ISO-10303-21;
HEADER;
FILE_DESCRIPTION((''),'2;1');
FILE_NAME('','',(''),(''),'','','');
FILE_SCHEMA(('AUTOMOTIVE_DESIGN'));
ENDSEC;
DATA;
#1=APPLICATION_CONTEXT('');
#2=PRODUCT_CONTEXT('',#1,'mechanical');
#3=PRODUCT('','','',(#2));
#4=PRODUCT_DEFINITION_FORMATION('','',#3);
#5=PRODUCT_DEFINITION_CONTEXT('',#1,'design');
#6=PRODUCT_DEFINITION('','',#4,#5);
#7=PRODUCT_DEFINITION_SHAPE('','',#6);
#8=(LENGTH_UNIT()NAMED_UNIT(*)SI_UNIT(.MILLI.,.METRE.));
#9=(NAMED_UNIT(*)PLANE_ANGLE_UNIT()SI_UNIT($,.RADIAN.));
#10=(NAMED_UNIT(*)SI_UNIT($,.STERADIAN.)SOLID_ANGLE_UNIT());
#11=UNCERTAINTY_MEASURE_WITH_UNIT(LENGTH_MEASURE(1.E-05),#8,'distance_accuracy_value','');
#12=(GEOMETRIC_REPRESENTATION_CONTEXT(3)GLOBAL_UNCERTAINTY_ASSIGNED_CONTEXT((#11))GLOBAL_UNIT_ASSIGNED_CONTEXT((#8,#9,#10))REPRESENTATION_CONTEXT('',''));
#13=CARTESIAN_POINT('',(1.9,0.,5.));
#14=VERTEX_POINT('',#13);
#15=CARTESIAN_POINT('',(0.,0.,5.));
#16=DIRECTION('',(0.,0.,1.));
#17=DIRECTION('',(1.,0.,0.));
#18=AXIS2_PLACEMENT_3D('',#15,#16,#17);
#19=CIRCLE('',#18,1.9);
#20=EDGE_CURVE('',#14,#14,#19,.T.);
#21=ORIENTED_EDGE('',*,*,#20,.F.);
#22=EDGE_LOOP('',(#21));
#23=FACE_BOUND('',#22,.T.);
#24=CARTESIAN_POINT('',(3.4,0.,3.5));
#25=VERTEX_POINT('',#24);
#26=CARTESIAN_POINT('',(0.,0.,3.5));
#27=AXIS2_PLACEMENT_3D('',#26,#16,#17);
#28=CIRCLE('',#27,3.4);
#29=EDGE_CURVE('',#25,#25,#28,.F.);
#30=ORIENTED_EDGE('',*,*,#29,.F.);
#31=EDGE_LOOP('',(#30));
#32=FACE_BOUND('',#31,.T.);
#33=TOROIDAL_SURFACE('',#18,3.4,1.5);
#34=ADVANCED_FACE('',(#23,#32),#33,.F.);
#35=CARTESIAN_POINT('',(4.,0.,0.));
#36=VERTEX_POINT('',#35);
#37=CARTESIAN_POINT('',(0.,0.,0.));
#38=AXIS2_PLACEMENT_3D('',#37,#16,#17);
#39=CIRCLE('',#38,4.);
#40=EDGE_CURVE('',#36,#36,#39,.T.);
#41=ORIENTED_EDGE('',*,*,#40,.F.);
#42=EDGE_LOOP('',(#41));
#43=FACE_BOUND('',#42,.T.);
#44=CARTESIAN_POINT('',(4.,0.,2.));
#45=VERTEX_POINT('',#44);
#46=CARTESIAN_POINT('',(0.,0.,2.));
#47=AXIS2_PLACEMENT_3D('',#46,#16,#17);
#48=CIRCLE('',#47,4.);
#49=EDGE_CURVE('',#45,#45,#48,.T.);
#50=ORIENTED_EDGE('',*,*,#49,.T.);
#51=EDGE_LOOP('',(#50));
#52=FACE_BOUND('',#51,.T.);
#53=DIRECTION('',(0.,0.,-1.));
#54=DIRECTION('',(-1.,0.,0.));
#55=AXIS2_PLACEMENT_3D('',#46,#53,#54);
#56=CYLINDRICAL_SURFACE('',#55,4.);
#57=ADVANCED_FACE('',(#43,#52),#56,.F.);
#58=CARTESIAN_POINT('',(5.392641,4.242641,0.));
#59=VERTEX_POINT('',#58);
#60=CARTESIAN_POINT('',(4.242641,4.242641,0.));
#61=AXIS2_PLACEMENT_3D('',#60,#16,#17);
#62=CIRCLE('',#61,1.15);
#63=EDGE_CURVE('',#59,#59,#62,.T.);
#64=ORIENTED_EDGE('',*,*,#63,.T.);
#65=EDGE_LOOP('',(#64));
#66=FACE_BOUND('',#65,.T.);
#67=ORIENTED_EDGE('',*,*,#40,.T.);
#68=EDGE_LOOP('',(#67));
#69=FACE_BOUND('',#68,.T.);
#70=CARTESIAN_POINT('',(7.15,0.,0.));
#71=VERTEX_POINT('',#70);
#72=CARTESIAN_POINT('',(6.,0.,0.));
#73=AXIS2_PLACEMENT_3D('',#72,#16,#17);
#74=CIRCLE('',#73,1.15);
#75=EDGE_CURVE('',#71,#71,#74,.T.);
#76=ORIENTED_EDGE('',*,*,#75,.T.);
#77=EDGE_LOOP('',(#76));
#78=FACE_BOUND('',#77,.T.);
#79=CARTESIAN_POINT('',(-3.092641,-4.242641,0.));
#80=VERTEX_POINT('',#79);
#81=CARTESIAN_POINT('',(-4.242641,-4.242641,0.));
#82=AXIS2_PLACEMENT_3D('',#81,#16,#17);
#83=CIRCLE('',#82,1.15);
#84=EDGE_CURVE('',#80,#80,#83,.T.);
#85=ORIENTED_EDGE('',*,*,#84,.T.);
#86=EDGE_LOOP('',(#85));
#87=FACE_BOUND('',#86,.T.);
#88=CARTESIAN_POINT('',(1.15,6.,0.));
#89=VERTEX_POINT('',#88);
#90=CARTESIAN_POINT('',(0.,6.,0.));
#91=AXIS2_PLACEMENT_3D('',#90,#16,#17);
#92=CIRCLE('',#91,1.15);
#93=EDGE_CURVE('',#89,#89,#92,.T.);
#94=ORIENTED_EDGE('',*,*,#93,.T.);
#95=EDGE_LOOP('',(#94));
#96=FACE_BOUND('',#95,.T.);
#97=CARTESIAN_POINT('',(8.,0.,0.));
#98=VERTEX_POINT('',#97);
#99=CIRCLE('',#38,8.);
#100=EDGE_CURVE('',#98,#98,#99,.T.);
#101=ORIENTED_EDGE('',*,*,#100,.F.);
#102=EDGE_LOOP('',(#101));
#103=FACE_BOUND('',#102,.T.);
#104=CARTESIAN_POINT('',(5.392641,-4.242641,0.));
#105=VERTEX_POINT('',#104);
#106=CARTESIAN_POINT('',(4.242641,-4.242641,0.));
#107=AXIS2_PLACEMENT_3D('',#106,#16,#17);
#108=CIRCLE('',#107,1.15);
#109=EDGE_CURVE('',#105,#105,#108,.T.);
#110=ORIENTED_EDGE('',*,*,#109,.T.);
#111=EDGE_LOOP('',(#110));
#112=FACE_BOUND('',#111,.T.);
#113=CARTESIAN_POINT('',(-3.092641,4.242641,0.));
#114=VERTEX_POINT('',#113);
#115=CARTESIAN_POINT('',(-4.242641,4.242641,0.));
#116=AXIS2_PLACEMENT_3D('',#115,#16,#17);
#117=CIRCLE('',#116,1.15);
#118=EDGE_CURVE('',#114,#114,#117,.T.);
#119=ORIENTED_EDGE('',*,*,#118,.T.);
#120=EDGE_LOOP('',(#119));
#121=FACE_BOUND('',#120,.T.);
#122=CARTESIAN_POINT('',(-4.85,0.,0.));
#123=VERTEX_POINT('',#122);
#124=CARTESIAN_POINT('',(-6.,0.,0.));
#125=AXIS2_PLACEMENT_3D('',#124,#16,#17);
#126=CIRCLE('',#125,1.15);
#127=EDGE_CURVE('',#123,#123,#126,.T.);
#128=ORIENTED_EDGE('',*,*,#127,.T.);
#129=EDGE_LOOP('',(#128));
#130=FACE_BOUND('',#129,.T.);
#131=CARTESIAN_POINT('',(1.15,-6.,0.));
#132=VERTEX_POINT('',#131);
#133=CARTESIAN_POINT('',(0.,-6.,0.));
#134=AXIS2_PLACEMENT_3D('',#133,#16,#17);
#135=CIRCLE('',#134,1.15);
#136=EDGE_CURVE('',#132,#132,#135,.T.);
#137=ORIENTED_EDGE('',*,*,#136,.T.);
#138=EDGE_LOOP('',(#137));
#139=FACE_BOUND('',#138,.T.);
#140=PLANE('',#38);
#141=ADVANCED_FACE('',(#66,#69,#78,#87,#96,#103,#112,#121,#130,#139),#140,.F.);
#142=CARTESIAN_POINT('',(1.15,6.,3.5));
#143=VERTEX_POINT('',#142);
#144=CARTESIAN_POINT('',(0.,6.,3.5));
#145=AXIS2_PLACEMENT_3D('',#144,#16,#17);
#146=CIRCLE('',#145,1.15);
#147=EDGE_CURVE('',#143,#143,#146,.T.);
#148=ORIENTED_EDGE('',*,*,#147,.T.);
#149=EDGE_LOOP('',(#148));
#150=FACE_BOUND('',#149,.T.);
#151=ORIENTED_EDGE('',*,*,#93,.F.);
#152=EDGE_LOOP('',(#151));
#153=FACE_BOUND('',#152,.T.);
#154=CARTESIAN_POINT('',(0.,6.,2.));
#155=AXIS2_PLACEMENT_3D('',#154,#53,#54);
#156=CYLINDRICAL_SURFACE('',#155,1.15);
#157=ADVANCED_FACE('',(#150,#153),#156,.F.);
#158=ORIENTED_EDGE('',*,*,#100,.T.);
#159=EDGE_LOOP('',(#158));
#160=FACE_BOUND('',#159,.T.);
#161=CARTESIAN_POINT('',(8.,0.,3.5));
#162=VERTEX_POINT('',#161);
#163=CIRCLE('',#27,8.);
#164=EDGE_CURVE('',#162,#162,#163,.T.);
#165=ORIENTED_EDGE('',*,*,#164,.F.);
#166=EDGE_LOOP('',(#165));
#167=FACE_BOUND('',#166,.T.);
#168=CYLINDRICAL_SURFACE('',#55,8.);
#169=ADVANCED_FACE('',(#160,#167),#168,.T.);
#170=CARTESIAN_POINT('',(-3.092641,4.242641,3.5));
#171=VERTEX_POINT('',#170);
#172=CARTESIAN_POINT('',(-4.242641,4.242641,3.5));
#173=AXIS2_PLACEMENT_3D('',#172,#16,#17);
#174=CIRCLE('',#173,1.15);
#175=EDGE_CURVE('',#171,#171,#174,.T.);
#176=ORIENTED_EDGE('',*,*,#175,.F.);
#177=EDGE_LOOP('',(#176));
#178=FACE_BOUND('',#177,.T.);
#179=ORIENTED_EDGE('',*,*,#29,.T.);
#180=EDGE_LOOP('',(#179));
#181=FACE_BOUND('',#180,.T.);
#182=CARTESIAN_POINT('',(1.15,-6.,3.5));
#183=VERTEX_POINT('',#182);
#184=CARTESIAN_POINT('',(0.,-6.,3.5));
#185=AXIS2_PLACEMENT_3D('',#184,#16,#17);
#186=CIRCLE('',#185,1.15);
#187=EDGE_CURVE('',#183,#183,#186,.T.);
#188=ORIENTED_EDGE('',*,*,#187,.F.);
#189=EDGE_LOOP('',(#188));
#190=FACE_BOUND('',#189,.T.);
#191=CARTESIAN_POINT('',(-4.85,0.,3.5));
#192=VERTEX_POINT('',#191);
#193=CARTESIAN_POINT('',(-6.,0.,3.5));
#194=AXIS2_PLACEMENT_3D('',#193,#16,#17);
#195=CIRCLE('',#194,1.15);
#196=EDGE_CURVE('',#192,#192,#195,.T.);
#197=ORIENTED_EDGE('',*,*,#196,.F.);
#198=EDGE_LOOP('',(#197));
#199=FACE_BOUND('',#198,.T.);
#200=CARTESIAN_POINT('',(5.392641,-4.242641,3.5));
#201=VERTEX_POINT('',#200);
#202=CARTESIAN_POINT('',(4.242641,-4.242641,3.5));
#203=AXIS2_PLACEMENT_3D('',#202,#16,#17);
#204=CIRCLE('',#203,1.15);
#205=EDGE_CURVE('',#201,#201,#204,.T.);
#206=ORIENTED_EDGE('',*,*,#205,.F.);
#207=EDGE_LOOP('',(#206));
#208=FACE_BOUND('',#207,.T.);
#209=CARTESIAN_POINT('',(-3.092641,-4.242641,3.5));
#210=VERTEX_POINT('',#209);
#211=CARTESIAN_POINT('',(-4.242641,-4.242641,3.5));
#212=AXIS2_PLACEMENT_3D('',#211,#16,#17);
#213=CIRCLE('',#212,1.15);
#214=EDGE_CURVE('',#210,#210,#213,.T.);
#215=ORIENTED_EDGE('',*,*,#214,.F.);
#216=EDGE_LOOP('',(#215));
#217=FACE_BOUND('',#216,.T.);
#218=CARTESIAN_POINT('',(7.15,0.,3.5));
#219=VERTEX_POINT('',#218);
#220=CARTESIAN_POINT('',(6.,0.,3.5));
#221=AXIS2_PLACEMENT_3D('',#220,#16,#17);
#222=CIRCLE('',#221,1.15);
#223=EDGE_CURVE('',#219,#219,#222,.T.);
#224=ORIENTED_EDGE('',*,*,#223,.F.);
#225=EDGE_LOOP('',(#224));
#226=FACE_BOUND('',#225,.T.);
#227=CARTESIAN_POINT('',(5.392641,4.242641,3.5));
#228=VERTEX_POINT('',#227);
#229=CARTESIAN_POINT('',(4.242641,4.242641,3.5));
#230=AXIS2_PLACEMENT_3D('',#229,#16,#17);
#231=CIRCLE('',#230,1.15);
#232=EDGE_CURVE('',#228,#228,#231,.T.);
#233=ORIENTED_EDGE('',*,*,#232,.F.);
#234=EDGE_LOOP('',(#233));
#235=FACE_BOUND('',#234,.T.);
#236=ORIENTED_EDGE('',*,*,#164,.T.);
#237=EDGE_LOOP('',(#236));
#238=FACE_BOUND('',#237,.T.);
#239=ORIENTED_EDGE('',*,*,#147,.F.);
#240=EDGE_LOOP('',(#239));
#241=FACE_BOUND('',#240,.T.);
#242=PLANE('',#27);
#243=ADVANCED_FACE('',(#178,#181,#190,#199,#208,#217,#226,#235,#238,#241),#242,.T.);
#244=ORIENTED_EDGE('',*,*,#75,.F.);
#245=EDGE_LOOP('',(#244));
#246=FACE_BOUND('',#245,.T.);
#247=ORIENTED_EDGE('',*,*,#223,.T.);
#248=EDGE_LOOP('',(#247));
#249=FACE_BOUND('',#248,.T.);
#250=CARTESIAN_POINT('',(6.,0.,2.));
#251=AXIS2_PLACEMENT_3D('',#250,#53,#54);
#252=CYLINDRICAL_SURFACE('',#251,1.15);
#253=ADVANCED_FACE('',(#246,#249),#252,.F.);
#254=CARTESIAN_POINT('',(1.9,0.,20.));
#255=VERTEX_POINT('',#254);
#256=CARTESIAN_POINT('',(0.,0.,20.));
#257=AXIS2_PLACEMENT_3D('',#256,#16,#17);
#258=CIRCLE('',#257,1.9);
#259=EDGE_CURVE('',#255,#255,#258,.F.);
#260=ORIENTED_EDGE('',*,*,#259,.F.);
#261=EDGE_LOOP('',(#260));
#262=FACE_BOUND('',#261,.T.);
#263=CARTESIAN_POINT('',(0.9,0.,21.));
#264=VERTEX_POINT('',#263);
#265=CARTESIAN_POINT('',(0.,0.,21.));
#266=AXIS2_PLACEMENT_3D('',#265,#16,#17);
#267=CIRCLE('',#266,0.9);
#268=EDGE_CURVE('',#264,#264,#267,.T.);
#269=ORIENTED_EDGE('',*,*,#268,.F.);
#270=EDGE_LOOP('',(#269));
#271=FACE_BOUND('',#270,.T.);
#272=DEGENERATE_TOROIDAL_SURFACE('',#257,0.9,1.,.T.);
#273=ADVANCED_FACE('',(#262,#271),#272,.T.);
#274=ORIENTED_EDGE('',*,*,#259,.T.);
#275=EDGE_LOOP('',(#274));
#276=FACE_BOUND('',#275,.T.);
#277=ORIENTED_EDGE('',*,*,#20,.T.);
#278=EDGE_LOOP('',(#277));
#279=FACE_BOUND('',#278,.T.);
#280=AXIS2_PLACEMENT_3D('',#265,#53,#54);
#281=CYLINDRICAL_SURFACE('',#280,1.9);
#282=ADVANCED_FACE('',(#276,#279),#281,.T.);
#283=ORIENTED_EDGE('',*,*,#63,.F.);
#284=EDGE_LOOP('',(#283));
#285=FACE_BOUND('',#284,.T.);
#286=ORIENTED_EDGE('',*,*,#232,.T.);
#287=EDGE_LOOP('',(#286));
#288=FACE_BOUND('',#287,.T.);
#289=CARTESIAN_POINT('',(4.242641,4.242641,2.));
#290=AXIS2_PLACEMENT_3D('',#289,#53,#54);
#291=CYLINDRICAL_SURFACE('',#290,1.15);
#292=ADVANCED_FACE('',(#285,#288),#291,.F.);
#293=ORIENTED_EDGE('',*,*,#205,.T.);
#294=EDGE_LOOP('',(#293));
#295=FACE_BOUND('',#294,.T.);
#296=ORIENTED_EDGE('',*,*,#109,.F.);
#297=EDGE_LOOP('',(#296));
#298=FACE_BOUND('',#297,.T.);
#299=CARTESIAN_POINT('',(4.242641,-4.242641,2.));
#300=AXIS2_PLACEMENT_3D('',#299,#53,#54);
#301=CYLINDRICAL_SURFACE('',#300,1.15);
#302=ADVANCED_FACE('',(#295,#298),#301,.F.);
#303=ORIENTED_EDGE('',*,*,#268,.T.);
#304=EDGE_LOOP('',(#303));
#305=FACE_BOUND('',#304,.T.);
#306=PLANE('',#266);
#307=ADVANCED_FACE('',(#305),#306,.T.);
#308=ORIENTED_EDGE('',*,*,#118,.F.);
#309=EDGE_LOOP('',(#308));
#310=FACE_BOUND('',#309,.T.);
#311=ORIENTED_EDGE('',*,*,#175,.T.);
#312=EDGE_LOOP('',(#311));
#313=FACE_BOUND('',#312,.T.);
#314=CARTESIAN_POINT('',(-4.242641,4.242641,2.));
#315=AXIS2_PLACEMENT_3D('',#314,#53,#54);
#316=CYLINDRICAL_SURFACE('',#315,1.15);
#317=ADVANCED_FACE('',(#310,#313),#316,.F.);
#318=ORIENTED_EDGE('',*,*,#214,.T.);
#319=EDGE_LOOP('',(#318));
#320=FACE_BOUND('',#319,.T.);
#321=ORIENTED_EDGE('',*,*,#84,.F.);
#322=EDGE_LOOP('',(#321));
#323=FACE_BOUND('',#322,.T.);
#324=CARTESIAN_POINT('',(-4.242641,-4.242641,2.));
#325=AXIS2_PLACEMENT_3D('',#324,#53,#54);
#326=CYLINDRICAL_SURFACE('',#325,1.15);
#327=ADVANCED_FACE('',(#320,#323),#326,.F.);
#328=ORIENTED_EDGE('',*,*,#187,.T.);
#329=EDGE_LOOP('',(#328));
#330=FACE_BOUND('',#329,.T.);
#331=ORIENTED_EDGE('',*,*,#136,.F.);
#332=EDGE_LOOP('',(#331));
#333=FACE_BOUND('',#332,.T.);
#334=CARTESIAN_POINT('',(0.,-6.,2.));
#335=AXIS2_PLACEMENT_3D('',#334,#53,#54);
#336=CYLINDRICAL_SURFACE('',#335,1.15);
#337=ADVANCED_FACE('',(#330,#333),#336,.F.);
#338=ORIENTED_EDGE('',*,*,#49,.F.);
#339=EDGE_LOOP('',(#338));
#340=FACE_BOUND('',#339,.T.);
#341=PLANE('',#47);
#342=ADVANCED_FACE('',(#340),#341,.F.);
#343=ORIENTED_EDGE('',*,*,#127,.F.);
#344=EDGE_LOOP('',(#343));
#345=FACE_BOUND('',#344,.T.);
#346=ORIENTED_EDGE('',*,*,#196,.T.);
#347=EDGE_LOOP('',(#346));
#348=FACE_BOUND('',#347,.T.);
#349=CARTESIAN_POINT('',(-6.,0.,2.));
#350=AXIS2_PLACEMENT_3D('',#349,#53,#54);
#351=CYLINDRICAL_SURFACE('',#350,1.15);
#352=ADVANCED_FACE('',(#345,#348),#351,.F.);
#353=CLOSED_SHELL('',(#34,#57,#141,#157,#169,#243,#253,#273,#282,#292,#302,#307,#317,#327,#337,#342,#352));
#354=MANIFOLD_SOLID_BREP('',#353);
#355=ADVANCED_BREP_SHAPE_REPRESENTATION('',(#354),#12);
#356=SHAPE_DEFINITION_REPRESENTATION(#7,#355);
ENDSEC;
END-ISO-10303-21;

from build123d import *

# Parameters (mm, degrees)
SKETCH_1_R      = 8
SKETCH_1_R_2    = 1.15
SKETCH_1_R_3    = 4
EXTRUDE_1_DEPTH = 2
SKETCH_2_R      = 8
SKETCH_2_R_2    = 1.15
EXTRUDE_2_DEPTH = 1.5
SKETCH_3_R      = 1.9
EXTRUDE_3_DEPTH = 17.5
FILLET_1_R      = 1
FILLET_2_R      = 1.5


with BuildPart() as part:
    # ｽｹｯﾁ1 → ﾎﾞｽ - 押し出し1 (new body)
    with BuildSketch(Plane.XY):
        Circle(SKETCH_1_R)
        with Locations((0, 6)):
            Circle(SKETCH_1_R_2, mode=Mode.SUBTRACT)
        with Locations((4.242640687, 4.242640687)):
            Circle(SKETCH_1_R_2, mode=Mode.SUBTRACT)
        with Locations((6, 0)):
            Circle(SKETCH_1_R_2, mode=Mode.SUBTRACT)
        with Locations((4.242640687, -4.242640687)):
            Circle(SKETCH_1_R_2, mode=Mode.SUBTRACT)
        with Locations((0, -6)):
            Circle(SKETCH_1_R_2, mode=Mode.SUBTRACT)
        with Locations((-4.242640687, -4.242640687)):
            Circle(SKETCH_1_R_2, mode=Mode.SUBTRACT)
        with Locations((-6, 0)):
            Circle(SKETCH_1_R_2, mode=Mode.SUBTRACT)
        with Locations((-4.242640687, 4.242640687)):
            Circle(SKETCH_1_R_2, mode=Mode.SUBTRACT)
        Circle(SKETCH_1_R_3, mode=Mode.SUBTRACT)
    extrude(amount=EXTRUDE_1_DEPTH)

    # ｽｹｯﾁ2 → ﾎﾞｽ - 押し出し2 (add)
    with BuildSketch(Plane.XY.offset(2)):
        Circle(SKETCH_2_R)
        with Locations((0, 6)):
            Circle(SKETCH_2_R_2, mode=Mode.SUBTRACT)
        with Locations((4.242640687, 4.242640687)):
            Circle(SKETCH_2_R_2, mode=Mode.SUBTRACT)
        with Locations((6, 0)):
            Circle(SKETCH_2_R_2, mode=Mode.SUBTRACT)
        with Locations((4.242640687, -4.242640687)):
            Circle(SKETCH_2_R_2, mode=Mode.SUBTRACT)
        with Locations((0, -6)):
            Circle(SKETCH_2_R_2, mode=Mode.SUBTRACT)
        with Locations((-4.242640687, -4.242640687)):
            Circle(SKETCH_2_R_2, mode=Mode.SUBTRACT)
        with Locations((-6, 0)):
            Circle(SKETCH_2_R_2, mode=Mode.SUBTRACT)
        with Locations((-4.242640687, 4.242640687)):
            Circle(SKETCH_2_R_2, mode=Mode.SUBTRACT)
    extrude(amount=EXTRUDE_2_DEPTH)

    # ｽｹｯﾁ3 → ﾎﾞｽ - 押し出し3 (add)
    with BuildSketch(Plane.XY.offset(3.5)):
        Circle(SKETCH_3_R)
    extrude(amount=EXTRUDE_3_DEPTH)

    # ﾌｨﾚｯﾄ1
    fillet_1_edges = [part.edges().sort_by_distance(p)[0] for p in [
        (-1.9, 0, 21),
    ]]
    fillet(fillet_1_edges, radius=FILLET_1_R)

    # ﾌｨﾚｯﾄ2
    fillet_2_edges = [part.edges().sort_by_distance(p)[0] for p in [
        (-1.9, 0, 3.5),
    ]]
    fillet(fillet_2_edges, radius=FILLET_2_R)


solid = part.part
